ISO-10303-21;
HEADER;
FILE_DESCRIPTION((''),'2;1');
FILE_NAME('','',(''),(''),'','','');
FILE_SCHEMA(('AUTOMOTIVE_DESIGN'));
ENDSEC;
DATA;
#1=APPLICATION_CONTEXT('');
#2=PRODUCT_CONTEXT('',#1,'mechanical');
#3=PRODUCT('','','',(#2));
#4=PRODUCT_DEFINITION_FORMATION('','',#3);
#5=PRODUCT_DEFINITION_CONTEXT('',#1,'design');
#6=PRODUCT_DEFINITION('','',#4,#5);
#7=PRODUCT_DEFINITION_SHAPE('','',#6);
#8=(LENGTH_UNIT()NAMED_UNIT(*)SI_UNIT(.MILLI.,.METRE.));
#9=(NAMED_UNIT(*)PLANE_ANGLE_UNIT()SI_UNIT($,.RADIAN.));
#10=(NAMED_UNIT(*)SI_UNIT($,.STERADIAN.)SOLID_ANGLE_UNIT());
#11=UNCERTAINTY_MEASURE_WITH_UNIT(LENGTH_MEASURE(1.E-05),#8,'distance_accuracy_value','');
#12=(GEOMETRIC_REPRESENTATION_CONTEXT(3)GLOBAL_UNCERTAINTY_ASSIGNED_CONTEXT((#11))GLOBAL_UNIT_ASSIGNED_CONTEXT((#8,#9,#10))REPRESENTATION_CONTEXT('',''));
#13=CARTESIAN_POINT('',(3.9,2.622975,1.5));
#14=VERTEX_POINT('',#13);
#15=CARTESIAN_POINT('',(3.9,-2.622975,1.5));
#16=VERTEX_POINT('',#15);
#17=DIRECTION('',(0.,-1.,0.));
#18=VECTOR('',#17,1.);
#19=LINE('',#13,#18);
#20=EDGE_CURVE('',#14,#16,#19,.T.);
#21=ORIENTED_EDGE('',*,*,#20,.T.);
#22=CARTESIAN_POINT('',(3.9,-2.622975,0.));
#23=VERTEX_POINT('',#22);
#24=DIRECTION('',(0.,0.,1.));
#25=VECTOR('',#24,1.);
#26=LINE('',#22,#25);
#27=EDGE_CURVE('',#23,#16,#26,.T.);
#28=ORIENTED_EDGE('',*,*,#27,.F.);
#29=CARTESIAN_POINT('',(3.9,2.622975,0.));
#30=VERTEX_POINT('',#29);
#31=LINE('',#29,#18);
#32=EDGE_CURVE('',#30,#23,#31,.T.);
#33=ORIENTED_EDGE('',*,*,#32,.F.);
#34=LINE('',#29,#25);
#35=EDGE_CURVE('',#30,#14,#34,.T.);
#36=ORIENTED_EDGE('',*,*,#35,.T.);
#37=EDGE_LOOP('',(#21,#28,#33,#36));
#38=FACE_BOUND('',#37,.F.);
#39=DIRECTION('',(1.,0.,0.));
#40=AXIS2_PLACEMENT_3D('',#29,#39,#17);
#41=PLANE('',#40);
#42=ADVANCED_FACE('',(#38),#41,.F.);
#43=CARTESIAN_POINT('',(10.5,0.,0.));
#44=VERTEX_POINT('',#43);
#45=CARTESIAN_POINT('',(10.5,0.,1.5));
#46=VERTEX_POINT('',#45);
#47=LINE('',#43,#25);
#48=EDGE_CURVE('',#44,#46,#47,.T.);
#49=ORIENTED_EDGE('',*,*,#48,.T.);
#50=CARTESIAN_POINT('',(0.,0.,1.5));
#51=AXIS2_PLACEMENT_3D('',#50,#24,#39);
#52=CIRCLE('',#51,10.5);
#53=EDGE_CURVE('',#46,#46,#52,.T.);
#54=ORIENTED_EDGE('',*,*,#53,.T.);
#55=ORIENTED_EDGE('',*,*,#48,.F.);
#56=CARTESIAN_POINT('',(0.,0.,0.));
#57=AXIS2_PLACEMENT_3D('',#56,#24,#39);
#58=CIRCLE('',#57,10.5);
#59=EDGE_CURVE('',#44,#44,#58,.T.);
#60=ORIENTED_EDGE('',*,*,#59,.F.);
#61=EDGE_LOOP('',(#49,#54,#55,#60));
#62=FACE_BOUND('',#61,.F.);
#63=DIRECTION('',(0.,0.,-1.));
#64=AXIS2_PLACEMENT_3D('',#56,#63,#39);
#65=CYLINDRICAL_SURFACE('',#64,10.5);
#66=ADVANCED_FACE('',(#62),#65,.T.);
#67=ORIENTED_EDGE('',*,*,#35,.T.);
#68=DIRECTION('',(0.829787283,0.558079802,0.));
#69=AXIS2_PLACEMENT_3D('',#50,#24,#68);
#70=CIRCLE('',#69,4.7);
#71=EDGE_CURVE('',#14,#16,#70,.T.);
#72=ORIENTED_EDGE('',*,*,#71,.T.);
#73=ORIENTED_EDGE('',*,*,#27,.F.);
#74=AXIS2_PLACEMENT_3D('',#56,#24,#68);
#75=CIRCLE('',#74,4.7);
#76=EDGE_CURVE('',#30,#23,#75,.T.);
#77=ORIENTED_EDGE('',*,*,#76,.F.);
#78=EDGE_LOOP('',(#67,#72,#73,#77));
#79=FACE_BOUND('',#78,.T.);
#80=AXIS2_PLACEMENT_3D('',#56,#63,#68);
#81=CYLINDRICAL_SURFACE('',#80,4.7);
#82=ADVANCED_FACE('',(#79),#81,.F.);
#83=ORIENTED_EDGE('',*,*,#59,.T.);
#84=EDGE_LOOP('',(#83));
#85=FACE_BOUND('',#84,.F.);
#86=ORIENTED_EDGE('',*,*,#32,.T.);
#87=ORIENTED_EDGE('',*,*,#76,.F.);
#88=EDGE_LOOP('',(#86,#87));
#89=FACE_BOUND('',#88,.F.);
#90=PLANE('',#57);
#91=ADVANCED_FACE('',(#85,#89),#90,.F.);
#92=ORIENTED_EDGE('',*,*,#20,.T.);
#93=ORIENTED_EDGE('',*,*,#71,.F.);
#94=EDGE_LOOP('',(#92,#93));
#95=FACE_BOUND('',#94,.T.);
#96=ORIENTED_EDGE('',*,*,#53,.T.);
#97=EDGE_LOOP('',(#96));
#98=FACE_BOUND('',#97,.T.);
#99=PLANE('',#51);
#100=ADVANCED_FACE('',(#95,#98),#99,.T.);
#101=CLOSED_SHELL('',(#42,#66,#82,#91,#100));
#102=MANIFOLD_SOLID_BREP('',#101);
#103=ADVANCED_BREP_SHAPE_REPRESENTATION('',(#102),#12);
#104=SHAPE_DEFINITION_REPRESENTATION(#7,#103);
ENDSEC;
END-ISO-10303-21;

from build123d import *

# Parameters (mm, degrees)
SKETCH_R  = 10.5
PAD_DEPTH = 1.5


with BuildPart() as part:
    # Sketch → Pad (new body)
    with BuildSketch(Plane.XY):
        Circle(SKETCH_R)
        with BuildLine():
            ThreePointArc((3.9, 2.622975), (-4.7, 0), (3.9, -2.622975))
            Line((3.9, 2.622975), (3.9, -2.622975))
        make_face(mode=Mode.SUBTRACT)
    extrude(amount=PAD_DEPTH)


solid = part.part
